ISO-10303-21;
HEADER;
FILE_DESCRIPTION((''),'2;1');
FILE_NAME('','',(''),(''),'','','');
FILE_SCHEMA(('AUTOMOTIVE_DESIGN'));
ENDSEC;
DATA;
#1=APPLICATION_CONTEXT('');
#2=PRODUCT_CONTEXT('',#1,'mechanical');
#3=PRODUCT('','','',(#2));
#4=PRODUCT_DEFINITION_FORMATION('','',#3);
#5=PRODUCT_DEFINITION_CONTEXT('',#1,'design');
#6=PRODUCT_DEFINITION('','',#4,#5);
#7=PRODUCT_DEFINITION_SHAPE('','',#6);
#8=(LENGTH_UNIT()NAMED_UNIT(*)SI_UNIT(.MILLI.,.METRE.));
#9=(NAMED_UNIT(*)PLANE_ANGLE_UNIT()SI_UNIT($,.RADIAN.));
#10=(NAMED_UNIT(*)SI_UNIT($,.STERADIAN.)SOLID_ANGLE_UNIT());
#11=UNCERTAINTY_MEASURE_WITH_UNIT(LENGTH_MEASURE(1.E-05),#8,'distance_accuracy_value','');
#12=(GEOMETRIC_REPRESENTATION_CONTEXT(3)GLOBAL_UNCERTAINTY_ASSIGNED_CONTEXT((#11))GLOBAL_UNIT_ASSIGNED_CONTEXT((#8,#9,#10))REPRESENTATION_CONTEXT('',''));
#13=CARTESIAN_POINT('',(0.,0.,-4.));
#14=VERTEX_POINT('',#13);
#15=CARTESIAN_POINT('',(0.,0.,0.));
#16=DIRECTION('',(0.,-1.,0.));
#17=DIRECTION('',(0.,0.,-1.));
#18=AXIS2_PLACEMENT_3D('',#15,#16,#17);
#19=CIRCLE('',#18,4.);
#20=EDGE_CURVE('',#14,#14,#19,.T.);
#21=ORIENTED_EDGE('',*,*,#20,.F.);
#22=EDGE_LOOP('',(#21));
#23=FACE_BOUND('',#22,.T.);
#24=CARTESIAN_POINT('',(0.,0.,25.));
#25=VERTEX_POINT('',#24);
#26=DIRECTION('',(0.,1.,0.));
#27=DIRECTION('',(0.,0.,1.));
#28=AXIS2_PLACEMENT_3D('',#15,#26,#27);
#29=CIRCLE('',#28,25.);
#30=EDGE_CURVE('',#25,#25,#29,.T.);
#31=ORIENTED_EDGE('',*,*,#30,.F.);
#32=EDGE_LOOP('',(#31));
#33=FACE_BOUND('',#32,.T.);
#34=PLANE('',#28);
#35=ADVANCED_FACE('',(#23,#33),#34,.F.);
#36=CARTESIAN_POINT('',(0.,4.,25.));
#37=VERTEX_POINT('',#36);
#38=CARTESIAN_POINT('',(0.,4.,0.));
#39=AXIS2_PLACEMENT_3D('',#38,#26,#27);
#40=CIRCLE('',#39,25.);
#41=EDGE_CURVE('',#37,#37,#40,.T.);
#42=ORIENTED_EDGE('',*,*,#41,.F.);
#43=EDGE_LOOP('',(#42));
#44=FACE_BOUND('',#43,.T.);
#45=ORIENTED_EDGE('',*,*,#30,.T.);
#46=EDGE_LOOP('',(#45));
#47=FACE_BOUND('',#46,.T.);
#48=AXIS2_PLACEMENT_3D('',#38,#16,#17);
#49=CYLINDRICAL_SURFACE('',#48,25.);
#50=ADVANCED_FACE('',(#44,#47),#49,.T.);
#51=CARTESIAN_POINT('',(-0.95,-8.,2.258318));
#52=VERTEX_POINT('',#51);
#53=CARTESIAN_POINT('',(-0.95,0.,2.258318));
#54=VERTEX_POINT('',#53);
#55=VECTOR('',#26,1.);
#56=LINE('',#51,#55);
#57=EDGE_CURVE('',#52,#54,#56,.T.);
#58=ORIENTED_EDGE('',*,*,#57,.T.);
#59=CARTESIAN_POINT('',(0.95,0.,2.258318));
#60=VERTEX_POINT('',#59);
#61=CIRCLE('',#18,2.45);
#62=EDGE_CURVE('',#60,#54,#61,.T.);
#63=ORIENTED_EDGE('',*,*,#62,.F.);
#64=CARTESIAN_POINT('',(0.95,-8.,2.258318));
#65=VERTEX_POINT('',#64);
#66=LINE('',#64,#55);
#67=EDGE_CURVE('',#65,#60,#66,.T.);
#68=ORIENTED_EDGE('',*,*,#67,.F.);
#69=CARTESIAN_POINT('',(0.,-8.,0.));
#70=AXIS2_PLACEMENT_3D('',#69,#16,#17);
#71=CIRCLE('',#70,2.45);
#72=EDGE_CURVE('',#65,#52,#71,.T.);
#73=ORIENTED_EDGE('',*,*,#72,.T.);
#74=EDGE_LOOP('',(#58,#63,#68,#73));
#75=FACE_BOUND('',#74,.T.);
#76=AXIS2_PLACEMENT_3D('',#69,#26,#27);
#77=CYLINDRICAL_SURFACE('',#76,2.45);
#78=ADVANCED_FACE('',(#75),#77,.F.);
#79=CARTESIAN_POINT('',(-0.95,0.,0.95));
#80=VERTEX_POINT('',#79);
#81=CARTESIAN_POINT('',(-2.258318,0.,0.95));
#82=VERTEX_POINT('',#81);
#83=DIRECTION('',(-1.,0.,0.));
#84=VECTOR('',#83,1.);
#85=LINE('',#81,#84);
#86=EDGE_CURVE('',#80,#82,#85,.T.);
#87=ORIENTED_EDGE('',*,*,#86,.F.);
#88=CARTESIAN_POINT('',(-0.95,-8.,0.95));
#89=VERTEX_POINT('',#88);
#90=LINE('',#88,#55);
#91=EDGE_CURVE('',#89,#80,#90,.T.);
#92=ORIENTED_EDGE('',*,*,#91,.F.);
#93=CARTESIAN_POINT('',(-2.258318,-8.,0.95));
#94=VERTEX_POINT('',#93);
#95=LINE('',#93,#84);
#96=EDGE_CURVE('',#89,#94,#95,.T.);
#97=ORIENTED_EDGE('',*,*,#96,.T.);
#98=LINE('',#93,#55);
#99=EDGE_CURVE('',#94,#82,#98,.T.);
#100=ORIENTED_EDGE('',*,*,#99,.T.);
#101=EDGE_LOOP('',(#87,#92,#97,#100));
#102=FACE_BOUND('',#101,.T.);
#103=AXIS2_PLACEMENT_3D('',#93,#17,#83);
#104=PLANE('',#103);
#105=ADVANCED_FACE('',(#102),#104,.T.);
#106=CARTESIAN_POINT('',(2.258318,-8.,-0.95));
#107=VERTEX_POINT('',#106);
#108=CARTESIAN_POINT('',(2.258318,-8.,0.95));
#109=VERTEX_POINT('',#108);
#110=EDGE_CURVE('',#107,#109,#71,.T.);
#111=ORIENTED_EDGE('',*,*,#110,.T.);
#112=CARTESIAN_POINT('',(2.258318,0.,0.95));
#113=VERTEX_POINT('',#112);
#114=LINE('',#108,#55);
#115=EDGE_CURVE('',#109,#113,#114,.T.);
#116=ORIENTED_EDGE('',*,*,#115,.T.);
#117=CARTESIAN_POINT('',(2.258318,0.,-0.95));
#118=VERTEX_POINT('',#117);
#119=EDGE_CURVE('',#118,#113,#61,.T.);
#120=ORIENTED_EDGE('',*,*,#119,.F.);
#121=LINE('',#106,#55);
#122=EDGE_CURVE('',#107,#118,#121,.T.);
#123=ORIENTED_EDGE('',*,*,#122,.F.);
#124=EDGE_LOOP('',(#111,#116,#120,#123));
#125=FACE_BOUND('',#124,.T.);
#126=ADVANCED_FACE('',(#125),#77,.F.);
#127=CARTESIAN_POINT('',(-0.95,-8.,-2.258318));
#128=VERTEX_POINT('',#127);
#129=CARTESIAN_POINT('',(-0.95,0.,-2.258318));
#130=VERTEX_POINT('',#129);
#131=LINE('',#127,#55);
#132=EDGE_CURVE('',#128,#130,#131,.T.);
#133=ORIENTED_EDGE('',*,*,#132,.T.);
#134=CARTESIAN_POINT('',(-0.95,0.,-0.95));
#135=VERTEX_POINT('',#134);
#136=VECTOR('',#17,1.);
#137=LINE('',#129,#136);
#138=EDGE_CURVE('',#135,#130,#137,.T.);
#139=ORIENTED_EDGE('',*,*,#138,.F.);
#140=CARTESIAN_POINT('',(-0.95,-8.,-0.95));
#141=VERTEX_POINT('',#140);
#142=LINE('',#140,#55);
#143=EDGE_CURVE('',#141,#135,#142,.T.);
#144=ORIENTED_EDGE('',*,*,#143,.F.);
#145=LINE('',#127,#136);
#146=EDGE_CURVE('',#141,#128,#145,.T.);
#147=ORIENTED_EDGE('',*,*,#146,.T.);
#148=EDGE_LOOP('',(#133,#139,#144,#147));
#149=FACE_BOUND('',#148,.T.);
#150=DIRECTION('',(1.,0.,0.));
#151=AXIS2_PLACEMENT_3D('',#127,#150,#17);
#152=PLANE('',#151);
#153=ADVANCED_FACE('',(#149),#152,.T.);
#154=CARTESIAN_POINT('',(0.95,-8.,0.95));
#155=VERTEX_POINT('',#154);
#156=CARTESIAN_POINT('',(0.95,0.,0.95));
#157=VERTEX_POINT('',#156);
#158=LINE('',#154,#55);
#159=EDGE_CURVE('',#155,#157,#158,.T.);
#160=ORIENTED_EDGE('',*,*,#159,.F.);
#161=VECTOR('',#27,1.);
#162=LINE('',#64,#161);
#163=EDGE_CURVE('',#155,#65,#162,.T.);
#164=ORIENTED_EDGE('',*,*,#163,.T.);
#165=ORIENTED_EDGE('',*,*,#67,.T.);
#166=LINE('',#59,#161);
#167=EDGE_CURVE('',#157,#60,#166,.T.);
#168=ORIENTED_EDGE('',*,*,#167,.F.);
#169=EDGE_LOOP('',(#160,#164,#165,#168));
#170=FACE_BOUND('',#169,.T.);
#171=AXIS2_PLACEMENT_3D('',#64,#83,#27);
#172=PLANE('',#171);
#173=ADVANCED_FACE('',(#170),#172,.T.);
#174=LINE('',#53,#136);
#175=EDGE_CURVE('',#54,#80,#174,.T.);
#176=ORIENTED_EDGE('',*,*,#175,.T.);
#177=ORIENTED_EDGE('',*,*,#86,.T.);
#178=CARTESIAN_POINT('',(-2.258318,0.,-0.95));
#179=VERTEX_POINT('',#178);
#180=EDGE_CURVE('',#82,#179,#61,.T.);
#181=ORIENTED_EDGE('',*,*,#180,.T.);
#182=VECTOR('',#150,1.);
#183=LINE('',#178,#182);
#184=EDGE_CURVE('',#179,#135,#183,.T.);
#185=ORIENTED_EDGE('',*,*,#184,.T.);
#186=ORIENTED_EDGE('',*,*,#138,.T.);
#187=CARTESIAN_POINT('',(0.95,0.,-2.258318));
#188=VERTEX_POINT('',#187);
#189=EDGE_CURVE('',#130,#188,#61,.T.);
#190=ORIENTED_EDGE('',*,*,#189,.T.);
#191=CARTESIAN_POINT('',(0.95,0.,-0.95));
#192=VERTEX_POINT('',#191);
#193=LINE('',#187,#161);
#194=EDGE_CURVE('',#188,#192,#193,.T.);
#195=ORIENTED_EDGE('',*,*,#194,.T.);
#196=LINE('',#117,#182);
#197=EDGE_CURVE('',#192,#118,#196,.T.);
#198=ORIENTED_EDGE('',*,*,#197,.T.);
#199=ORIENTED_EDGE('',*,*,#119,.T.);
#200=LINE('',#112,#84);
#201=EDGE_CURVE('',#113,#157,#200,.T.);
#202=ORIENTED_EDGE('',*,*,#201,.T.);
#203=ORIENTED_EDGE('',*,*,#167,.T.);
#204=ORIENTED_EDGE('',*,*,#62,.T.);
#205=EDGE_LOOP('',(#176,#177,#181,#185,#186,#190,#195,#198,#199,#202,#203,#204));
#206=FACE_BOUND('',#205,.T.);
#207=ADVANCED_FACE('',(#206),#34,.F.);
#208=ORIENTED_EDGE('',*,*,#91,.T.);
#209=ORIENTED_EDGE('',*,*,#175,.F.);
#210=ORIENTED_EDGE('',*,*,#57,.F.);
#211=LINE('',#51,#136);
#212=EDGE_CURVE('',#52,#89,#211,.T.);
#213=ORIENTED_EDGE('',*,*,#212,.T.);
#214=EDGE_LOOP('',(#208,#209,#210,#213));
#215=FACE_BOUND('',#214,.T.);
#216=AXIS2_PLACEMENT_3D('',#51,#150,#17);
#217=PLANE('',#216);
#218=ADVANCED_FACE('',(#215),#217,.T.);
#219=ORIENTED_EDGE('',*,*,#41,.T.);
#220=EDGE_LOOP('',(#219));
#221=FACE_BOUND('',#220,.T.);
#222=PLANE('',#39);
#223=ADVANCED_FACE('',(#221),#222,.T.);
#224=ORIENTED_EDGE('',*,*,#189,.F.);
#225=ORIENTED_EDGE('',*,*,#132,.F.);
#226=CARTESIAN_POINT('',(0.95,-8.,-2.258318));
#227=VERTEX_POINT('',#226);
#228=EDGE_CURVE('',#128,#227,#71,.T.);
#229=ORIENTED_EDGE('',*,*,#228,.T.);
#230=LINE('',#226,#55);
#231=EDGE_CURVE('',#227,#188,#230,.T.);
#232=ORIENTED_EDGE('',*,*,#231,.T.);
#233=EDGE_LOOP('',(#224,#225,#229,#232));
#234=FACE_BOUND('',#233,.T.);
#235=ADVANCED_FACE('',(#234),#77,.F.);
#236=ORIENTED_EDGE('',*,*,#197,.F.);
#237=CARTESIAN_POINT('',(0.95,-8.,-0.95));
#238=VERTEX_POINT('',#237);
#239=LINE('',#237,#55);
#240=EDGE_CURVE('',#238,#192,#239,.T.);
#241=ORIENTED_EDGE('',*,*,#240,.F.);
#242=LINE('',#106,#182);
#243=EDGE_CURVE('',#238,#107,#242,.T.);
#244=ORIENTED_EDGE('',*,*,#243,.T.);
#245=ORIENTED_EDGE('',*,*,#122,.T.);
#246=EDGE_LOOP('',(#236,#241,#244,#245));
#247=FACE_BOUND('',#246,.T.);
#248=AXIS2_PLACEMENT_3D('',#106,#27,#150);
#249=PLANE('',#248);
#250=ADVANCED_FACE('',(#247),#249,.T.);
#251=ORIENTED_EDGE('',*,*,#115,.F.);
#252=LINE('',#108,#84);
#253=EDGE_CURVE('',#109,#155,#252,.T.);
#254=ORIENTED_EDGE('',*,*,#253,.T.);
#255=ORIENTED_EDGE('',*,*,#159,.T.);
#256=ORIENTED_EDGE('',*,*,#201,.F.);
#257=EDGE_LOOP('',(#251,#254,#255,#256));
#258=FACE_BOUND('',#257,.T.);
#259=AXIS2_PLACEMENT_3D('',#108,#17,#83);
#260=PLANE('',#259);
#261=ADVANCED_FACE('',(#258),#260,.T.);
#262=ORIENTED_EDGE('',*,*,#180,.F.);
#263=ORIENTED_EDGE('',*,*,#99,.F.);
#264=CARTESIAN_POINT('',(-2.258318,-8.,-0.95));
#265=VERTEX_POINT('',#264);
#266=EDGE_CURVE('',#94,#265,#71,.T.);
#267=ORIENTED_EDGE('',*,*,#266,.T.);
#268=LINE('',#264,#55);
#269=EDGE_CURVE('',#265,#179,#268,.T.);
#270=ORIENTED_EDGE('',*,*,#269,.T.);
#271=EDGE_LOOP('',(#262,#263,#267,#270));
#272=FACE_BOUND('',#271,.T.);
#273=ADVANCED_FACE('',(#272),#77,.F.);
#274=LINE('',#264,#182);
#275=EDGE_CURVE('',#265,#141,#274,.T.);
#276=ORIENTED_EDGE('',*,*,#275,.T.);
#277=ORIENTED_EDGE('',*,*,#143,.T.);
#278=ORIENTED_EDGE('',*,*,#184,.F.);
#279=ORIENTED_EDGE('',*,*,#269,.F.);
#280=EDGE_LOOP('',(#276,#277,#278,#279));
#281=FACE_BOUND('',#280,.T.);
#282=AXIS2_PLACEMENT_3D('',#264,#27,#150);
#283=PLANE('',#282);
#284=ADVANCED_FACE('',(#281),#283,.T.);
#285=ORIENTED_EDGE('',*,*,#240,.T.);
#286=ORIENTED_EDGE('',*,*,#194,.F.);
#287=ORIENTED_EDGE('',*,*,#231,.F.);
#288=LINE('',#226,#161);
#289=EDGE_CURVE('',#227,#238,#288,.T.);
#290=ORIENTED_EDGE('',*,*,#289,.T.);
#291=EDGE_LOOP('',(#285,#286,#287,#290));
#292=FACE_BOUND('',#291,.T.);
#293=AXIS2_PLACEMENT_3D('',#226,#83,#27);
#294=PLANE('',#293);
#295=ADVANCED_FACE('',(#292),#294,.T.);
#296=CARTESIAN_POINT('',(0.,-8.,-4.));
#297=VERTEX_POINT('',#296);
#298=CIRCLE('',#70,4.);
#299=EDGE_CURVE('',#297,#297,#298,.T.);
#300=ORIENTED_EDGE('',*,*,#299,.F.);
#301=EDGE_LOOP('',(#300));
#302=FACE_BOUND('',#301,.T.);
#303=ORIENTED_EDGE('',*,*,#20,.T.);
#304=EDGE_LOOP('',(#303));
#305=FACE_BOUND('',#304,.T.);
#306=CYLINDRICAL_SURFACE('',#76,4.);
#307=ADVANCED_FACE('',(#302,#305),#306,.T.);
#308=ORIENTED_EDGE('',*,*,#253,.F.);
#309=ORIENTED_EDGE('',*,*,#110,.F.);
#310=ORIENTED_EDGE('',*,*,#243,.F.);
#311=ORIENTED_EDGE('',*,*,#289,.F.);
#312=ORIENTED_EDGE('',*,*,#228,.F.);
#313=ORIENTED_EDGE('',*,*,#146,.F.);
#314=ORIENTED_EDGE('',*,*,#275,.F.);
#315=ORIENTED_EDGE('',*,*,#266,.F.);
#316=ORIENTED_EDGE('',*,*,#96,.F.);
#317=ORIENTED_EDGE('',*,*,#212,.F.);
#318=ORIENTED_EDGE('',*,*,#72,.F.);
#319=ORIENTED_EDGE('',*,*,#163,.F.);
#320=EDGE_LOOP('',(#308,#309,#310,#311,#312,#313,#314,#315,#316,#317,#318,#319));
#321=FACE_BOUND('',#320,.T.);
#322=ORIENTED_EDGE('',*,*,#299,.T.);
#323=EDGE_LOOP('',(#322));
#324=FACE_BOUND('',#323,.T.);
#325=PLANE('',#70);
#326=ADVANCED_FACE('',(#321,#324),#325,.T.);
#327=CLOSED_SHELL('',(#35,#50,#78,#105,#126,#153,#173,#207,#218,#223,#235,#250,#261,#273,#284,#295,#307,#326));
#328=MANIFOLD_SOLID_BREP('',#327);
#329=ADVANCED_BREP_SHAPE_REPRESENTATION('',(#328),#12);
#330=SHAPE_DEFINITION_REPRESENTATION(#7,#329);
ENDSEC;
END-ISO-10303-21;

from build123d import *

# Parameters (mm, degrees)
SKETCH1_R           = 25
BOSS_EXTRUDE1_DEPTH = 4
SKETCH2_R           = 4
BOSS_EXTRUDE2_DEPTH = 8


with BuildPart() as part:
    # Sketch1 → Boss-Extrude1 (new body)
    with BuildSketch(Plane(origin=(0, 0, 0), x_dir=(1, 0, 0), z_dir=(0, 1, 0))):
        with Locations(Location((0, 0, 0), (0, 0, 270))):
            Circle(SKETCH1_R)
    extrude(amount=BOSS_EXTRUDE1_DEPTH)

    # Sketch2 → Boss-Extrude2 (add)
    with BuildSketch(Plane.XZ):
        with Locations(Location((0, 0, 0), (0, 0, 270))):
            Circle(SKETCH2_R)
        with BuildLine():
            Line((-2.258317958, 0.95), (-0.95, 0.95))
            Line((-0.95, 0.95), (-0.95, 2.258317958))
            ThreePointArc((-0.95, 2.258317958), (0, 2.45), (0.95, 2.258317958))
            Line((0.95, 2.258317958), (0.95, 0.95))
            Line((0.95, 0.95), (2.258317958, 0.95))
            ThreePointArc((2.258317958, 0.95), (2.45, 0), (2.258317958, -0.95))
            Line((2.258317958, -0.95), (0.95, -0.95))
            Line((0.95, -0.95), (0.95, -2.258317958))
            ThreePointArc((0.95, -2.258317958), (0, -2.45), (-0.95, -2.258317958))
            Line((-0.95, -2.258317958), (-0.95, -0.95))
            Line((-0.95, -0.95), (-2.258317958, -0.95))
            ThreePointArc((-2.258317958, -0.95), (-2.45, 0), (-2.258317958, 0.95))
        make_face(mode=Mode.SUBTRACT)
    extrude(amount=BOSS_EXTRUDE2_DEPTH)


solid = part.part
